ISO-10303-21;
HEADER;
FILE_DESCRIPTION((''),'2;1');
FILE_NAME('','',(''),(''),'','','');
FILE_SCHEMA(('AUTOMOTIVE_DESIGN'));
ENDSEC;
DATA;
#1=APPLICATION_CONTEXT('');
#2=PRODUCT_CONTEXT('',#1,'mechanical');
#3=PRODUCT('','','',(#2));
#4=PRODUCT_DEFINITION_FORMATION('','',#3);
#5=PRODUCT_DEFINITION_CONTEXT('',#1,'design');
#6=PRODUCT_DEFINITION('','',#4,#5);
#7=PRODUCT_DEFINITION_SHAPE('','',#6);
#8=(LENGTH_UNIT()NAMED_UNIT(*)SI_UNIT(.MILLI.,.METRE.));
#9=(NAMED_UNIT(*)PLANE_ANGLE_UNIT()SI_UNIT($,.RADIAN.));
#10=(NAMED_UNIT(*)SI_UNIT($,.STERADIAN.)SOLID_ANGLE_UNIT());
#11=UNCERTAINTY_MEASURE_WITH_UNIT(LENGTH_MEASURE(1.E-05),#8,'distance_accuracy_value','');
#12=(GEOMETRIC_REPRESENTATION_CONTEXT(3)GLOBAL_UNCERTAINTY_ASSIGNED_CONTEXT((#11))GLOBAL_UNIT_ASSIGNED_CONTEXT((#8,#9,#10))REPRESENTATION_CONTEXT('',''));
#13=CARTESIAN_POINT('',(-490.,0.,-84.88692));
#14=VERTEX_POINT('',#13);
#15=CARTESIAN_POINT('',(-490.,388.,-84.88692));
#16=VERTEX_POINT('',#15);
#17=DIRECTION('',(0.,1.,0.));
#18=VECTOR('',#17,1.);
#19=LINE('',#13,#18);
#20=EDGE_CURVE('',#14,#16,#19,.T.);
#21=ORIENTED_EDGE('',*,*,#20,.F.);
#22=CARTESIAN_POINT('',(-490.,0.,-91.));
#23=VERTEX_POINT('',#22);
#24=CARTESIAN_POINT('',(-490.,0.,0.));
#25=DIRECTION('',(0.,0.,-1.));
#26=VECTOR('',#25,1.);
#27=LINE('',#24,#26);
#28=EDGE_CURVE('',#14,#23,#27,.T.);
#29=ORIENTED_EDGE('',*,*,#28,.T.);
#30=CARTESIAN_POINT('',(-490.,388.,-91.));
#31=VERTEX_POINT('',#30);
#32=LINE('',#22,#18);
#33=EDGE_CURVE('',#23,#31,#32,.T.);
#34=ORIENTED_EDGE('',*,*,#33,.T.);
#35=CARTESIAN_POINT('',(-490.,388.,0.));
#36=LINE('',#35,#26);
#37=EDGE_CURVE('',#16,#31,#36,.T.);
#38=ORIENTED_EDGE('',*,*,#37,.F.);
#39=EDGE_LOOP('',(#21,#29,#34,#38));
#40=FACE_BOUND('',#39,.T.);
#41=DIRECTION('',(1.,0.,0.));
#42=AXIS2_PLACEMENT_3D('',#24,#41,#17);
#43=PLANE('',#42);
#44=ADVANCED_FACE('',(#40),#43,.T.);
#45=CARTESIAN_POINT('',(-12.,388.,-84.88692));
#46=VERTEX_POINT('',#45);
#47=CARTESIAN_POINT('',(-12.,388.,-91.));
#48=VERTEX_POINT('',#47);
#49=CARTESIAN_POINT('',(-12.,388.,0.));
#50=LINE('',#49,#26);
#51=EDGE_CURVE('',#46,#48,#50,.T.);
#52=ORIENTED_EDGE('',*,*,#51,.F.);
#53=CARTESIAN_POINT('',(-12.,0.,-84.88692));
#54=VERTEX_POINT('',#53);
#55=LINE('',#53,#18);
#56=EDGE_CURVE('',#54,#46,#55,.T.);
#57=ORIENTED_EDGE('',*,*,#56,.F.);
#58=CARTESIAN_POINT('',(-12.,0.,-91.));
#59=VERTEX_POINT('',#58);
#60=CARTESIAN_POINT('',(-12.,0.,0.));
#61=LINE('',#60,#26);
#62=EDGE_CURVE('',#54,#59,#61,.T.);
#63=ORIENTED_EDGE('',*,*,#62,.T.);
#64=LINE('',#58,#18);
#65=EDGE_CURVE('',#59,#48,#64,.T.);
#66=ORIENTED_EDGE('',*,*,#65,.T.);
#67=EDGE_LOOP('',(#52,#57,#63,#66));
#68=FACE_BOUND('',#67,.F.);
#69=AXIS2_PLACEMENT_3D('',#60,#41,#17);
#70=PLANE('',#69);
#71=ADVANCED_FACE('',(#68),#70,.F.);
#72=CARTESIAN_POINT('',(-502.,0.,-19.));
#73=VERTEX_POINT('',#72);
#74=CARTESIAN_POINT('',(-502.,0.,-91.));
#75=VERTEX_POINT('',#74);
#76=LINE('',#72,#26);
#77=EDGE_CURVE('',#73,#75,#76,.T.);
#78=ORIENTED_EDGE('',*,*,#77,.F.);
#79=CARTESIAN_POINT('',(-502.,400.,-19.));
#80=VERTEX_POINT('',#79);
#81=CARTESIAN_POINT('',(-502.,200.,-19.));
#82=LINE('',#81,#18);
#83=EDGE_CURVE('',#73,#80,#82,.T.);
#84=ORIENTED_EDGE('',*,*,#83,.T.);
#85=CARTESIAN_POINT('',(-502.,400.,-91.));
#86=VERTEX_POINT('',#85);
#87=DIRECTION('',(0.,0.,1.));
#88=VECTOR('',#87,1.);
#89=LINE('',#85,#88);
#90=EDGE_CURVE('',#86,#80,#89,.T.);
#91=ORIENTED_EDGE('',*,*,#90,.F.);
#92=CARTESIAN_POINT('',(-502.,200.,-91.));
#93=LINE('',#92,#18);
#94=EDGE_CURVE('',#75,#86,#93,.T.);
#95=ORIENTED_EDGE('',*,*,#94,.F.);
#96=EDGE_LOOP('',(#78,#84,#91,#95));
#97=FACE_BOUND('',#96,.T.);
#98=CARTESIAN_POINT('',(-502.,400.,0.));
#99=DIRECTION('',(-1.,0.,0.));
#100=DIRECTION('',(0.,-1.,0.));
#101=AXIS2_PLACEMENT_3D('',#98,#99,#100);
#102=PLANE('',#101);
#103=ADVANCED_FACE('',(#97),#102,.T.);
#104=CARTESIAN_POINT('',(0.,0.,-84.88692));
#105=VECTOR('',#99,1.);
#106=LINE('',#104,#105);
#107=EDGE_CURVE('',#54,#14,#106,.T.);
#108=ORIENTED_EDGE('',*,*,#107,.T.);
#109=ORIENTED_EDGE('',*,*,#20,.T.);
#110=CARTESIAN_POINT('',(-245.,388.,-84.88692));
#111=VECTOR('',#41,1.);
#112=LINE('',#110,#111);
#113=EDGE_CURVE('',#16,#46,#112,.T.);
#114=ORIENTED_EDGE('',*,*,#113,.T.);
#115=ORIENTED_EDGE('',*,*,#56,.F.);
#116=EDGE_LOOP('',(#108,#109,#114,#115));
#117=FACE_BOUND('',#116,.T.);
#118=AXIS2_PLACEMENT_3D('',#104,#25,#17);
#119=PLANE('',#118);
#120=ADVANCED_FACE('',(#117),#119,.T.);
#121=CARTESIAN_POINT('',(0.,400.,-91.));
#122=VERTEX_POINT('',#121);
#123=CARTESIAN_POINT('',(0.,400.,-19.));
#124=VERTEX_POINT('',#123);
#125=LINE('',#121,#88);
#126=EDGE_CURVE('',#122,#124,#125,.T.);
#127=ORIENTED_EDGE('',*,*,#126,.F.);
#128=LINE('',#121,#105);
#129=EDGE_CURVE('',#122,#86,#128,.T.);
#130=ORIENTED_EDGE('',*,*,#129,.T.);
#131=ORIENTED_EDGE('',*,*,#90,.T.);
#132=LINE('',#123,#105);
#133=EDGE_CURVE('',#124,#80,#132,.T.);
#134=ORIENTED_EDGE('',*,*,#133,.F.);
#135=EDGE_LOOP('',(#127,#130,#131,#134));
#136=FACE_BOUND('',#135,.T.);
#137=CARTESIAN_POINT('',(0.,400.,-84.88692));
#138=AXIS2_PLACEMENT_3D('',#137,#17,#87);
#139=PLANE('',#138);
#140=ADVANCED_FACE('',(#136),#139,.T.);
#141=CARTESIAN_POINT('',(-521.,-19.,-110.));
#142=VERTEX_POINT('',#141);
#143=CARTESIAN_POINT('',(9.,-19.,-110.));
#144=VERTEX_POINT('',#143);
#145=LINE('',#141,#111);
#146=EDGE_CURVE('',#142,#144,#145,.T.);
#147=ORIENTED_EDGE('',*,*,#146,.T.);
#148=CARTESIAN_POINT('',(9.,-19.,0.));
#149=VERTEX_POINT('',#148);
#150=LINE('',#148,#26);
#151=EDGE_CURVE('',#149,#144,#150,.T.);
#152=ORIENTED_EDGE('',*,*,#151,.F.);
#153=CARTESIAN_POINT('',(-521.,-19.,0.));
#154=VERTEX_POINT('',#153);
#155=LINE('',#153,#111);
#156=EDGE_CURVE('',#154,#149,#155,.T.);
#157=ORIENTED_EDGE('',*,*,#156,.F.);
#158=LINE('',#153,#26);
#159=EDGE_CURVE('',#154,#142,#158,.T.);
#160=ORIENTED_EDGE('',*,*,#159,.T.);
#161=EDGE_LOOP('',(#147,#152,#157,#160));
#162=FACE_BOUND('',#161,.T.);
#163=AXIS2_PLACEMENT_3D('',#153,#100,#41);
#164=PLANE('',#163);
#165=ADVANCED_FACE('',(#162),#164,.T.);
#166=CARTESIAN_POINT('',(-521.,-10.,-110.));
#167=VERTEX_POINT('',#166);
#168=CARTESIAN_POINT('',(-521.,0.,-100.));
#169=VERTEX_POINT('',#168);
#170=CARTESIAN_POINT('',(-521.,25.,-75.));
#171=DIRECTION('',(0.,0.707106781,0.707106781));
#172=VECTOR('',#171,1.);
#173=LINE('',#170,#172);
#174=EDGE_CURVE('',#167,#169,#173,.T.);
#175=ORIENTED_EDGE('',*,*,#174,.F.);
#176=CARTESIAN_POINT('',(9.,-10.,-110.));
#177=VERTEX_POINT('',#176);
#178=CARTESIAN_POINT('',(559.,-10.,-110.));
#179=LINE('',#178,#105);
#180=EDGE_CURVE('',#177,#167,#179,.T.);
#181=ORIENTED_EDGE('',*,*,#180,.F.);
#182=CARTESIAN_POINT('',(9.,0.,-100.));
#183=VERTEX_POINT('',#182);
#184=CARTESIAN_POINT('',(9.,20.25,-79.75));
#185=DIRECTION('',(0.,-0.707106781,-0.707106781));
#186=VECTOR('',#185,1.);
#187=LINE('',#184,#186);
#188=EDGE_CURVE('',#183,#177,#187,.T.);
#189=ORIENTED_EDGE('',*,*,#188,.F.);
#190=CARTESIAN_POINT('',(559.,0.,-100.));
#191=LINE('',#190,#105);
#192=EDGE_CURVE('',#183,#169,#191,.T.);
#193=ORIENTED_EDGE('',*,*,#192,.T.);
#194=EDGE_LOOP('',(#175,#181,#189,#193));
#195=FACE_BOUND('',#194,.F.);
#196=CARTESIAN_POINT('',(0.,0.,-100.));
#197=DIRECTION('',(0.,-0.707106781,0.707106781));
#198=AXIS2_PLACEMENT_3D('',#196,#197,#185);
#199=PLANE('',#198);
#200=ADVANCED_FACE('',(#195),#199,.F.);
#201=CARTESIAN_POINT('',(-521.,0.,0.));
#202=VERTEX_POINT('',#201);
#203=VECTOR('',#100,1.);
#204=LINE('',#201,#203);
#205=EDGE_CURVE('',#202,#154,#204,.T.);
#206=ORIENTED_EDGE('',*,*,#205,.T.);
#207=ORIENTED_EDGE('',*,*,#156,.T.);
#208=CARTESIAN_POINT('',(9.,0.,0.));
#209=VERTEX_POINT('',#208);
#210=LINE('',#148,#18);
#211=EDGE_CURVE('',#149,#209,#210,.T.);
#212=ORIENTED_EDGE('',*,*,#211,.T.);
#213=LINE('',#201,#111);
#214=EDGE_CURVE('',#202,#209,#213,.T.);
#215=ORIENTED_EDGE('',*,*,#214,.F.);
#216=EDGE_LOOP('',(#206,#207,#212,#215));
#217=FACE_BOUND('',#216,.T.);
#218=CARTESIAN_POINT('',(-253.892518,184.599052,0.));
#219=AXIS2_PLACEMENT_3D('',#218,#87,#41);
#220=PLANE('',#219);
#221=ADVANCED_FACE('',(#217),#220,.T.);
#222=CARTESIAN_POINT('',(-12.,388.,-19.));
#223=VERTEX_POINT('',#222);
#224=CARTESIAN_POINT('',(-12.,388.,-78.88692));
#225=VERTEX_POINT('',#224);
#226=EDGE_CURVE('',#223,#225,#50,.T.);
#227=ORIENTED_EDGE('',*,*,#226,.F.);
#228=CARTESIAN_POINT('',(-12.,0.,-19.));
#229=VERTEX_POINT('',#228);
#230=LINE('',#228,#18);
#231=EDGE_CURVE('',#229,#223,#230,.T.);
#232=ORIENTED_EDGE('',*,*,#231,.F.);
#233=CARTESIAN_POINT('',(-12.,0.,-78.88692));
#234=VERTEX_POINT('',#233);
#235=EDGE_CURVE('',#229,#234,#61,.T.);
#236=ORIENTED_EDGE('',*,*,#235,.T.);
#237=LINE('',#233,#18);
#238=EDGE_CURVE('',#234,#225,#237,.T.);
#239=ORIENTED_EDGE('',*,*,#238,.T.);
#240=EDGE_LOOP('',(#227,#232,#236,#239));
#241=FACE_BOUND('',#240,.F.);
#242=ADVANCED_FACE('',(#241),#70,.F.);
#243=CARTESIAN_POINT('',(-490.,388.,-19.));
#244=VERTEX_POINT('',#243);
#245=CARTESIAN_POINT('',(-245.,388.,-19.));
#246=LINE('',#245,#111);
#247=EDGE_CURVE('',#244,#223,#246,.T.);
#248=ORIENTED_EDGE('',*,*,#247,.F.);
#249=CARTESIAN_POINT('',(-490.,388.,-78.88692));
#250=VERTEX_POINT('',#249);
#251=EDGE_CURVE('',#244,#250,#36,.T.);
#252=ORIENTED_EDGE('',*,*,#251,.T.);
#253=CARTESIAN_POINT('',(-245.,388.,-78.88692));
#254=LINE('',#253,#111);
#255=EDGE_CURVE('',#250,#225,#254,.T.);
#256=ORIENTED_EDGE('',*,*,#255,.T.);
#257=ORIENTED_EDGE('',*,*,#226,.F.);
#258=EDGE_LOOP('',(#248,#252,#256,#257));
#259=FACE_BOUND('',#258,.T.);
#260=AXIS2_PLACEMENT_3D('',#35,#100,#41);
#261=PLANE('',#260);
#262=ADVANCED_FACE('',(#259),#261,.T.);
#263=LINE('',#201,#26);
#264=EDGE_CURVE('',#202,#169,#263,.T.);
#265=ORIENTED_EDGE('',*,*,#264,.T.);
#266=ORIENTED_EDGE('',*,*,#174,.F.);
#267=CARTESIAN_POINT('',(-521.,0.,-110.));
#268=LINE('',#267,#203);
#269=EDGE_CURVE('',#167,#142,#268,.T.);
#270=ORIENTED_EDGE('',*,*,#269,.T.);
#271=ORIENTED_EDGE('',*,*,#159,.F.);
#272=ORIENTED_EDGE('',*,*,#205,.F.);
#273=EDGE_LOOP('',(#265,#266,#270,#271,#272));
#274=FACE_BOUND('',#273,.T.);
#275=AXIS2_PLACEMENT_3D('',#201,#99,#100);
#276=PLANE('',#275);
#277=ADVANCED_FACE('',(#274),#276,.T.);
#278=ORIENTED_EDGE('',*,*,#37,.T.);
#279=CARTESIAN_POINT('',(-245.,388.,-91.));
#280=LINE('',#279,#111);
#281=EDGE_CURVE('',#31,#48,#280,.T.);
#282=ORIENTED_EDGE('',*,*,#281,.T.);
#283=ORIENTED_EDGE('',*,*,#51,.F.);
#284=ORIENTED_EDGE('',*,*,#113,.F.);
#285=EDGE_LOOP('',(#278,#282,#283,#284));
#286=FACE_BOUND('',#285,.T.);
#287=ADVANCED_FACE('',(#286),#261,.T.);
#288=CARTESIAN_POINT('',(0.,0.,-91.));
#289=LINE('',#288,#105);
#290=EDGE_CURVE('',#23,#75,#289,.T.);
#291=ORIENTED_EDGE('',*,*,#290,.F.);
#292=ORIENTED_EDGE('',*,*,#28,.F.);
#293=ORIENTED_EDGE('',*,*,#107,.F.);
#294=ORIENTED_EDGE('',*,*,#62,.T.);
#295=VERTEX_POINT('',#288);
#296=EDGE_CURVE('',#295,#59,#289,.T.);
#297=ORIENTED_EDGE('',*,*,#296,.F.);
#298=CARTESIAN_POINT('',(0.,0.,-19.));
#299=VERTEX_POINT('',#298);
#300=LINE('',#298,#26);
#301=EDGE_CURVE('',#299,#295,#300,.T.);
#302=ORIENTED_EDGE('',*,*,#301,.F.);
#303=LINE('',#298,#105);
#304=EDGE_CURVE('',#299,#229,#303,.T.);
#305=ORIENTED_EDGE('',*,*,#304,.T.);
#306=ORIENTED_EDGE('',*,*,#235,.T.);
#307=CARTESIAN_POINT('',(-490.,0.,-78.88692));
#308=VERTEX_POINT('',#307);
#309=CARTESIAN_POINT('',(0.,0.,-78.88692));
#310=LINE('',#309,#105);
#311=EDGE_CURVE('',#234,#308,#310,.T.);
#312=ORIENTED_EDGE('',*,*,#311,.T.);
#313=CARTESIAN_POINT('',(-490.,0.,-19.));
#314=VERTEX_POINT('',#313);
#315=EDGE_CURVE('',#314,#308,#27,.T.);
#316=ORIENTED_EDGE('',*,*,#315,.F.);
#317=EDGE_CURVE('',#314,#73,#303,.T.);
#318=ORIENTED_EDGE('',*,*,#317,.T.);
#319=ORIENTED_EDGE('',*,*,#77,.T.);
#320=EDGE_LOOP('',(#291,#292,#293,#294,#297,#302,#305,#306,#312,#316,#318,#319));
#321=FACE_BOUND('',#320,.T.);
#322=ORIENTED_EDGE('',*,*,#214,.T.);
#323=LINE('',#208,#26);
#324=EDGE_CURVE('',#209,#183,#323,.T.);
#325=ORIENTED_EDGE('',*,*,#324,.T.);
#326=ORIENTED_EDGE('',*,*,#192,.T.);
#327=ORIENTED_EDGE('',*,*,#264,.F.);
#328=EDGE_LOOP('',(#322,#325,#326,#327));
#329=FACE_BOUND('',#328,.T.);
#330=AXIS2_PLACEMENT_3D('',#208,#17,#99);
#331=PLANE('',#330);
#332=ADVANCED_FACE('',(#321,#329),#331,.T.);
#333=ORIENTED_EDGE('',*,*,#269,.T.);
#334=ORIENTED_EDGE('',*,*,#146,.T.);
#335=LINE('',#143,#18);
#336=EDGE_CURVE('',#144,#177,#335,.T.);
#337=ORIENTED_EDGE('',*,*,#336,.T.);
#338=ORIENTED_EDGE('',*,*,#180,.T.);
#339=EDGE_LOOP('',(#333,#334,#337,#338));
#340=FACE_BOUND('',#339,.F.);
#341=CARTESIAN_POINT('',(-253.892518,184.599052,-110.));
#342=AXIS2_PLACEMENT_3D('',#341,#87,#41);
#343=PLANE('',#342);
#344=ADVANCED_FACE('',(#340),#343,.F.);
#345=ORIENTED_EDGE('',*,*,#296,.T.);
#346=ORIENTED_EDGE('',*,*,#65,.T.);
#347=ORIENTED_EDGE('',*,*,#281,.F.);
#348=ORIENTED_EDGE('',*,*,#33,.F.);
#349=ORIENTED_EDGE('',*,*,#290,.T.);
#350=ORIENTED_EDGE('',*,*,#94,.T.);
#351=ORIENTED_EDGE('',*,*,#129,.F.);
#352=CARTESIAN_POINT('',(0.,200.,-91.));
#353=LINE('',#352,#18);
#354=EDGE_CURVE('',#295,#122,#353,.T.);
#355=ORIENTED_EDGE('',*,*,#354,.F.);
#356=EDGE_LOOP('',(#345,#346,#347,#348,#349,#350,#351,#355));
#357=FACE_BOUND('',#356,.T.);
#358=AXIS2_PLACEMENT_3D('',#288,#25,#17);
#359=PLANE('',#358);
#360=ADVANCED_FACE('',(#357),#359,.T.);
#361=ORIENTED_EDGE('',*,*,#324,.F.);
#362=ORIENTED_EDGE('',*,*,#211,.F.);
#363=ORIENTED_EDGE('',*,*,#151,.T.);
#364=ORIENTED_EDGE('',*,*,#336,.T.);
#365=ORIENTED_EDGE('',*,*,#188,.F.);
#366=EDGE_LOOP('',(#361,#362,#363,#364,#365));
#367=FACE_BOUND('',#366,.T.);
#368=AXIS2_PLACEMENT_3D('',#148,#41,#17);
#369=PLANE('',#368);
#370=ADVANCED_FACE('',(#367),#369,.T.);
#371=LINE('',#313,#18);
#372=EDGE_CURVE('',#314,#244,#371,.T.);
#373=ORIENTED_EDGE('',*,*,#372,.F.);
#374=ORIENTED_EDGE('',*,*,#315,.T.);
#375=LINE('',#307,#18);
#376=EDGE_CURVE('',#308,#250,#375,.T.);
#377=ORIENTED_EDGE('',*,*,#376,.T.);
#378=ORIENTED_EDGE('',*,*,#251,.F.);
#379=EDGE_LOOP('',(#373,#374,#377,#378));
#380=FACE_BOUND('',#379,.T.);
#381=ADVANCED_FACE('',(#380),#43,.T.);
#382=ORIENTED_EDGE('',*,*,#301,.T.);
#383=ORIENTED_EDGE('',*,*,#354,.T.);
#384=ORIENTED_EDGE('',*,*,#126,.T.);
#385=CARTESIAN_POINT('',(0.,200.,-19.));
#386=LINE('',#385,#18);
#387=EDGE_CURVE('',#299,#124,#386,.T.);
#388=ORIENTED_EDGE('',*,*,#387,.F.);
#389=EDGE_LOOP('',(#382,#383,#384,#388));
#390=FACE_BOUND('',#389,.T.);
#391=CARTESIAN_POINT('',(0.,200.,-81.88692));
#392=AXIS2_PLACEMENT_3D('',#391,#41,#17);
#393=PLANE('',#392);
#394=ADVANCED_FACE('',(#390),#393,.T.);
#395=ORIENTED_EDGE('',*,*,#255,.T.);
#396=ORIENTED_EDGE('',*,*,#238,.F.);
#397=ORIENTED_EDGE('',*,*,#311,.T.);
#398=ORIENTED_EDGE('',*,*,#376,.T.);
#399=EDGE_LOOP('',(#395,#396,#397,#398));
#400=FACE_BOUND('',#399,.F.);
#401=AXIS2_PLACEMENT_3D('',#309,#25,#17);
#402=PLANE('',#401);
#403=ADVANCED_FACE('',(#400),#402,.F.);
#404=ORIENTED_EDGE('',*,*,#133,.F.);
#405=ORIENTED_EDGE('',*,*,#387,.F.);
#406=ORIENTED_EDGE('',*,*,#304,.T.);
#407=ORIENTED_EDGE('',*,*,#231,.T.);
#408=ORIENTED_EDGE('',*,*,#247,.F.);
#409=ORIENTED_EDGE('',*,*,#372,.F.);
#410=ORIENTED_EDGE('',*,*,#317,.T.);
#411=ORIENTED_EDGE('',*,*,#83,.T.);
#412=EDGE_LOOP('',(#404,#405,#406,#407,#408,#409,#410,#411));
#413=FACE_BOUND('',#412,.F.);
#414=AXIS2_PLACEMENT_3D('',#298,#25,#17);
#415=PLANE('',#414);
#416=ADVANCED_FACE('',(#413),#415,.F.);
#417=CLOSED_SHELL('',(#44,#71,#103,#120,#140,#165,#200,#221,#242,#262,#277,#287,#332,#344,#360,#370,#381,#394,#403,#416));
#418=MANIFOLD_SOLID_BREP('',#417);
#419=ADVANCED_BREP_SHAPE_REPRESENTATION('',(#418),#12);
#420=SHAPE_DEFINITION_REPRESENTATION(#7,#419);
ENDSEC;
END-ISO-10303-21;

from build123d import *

# Parameters (mm, degrees)
F0_W     = 478
F0_H     = 388
F1_DEPTH = 110
F2_W     = 400
F2_H     = 19
F3_DEPTH = 502
F4_W     = 400
F4_H     = 6
F5_DEPTH = 502
F7_DEPTH = 559


with BuildPart() as f1:
    # F0 (on Top) → F1 (new body)
    with BuildSketch(Plane.XY):
        Polygon((0, 0), (0, 400), (-502, 400), (-502, 0), (-521, 0), (-521, -19), (9, -19), (9, 0), align=None)
        with Locations((-251, 194)):
            Rectangle(F0_W, F0_H, mode=Mode.SUBTRACT)
    extrude(amount=-F1_DEPTH)

    # F2 (on Right) → F3 (cut)
    with BuildSketch(Plane.YZ):
        with Locations((200, -100.5)):
            Rectangle(F2_W, F2_H)
        with Locations((200, -9.5)):
            Rectangle(F2_W, F2_H)
    extrude(amount=-F3_DEPTH, mode=Mode.SUBTRACT)

    # F4 (on Right) → F5 (join)
    with BuildSketch(Plane.YZ):
        with Locations((200, -81.88692)):
            Rectangle(F4_W, F4_H)
    extrude(amount=-F5_DEPTH)

    # F6 (on Right) → F7 (cut, symmetric)
    with BuildSketch(Plane.YZ):
        Polygon((-10, -110), (0, -110), (0, -100), align=None)
    extrude(amount=F7_DEPTH, both=True, mode=Mode.SUBTRACT)


solid = f1.part
